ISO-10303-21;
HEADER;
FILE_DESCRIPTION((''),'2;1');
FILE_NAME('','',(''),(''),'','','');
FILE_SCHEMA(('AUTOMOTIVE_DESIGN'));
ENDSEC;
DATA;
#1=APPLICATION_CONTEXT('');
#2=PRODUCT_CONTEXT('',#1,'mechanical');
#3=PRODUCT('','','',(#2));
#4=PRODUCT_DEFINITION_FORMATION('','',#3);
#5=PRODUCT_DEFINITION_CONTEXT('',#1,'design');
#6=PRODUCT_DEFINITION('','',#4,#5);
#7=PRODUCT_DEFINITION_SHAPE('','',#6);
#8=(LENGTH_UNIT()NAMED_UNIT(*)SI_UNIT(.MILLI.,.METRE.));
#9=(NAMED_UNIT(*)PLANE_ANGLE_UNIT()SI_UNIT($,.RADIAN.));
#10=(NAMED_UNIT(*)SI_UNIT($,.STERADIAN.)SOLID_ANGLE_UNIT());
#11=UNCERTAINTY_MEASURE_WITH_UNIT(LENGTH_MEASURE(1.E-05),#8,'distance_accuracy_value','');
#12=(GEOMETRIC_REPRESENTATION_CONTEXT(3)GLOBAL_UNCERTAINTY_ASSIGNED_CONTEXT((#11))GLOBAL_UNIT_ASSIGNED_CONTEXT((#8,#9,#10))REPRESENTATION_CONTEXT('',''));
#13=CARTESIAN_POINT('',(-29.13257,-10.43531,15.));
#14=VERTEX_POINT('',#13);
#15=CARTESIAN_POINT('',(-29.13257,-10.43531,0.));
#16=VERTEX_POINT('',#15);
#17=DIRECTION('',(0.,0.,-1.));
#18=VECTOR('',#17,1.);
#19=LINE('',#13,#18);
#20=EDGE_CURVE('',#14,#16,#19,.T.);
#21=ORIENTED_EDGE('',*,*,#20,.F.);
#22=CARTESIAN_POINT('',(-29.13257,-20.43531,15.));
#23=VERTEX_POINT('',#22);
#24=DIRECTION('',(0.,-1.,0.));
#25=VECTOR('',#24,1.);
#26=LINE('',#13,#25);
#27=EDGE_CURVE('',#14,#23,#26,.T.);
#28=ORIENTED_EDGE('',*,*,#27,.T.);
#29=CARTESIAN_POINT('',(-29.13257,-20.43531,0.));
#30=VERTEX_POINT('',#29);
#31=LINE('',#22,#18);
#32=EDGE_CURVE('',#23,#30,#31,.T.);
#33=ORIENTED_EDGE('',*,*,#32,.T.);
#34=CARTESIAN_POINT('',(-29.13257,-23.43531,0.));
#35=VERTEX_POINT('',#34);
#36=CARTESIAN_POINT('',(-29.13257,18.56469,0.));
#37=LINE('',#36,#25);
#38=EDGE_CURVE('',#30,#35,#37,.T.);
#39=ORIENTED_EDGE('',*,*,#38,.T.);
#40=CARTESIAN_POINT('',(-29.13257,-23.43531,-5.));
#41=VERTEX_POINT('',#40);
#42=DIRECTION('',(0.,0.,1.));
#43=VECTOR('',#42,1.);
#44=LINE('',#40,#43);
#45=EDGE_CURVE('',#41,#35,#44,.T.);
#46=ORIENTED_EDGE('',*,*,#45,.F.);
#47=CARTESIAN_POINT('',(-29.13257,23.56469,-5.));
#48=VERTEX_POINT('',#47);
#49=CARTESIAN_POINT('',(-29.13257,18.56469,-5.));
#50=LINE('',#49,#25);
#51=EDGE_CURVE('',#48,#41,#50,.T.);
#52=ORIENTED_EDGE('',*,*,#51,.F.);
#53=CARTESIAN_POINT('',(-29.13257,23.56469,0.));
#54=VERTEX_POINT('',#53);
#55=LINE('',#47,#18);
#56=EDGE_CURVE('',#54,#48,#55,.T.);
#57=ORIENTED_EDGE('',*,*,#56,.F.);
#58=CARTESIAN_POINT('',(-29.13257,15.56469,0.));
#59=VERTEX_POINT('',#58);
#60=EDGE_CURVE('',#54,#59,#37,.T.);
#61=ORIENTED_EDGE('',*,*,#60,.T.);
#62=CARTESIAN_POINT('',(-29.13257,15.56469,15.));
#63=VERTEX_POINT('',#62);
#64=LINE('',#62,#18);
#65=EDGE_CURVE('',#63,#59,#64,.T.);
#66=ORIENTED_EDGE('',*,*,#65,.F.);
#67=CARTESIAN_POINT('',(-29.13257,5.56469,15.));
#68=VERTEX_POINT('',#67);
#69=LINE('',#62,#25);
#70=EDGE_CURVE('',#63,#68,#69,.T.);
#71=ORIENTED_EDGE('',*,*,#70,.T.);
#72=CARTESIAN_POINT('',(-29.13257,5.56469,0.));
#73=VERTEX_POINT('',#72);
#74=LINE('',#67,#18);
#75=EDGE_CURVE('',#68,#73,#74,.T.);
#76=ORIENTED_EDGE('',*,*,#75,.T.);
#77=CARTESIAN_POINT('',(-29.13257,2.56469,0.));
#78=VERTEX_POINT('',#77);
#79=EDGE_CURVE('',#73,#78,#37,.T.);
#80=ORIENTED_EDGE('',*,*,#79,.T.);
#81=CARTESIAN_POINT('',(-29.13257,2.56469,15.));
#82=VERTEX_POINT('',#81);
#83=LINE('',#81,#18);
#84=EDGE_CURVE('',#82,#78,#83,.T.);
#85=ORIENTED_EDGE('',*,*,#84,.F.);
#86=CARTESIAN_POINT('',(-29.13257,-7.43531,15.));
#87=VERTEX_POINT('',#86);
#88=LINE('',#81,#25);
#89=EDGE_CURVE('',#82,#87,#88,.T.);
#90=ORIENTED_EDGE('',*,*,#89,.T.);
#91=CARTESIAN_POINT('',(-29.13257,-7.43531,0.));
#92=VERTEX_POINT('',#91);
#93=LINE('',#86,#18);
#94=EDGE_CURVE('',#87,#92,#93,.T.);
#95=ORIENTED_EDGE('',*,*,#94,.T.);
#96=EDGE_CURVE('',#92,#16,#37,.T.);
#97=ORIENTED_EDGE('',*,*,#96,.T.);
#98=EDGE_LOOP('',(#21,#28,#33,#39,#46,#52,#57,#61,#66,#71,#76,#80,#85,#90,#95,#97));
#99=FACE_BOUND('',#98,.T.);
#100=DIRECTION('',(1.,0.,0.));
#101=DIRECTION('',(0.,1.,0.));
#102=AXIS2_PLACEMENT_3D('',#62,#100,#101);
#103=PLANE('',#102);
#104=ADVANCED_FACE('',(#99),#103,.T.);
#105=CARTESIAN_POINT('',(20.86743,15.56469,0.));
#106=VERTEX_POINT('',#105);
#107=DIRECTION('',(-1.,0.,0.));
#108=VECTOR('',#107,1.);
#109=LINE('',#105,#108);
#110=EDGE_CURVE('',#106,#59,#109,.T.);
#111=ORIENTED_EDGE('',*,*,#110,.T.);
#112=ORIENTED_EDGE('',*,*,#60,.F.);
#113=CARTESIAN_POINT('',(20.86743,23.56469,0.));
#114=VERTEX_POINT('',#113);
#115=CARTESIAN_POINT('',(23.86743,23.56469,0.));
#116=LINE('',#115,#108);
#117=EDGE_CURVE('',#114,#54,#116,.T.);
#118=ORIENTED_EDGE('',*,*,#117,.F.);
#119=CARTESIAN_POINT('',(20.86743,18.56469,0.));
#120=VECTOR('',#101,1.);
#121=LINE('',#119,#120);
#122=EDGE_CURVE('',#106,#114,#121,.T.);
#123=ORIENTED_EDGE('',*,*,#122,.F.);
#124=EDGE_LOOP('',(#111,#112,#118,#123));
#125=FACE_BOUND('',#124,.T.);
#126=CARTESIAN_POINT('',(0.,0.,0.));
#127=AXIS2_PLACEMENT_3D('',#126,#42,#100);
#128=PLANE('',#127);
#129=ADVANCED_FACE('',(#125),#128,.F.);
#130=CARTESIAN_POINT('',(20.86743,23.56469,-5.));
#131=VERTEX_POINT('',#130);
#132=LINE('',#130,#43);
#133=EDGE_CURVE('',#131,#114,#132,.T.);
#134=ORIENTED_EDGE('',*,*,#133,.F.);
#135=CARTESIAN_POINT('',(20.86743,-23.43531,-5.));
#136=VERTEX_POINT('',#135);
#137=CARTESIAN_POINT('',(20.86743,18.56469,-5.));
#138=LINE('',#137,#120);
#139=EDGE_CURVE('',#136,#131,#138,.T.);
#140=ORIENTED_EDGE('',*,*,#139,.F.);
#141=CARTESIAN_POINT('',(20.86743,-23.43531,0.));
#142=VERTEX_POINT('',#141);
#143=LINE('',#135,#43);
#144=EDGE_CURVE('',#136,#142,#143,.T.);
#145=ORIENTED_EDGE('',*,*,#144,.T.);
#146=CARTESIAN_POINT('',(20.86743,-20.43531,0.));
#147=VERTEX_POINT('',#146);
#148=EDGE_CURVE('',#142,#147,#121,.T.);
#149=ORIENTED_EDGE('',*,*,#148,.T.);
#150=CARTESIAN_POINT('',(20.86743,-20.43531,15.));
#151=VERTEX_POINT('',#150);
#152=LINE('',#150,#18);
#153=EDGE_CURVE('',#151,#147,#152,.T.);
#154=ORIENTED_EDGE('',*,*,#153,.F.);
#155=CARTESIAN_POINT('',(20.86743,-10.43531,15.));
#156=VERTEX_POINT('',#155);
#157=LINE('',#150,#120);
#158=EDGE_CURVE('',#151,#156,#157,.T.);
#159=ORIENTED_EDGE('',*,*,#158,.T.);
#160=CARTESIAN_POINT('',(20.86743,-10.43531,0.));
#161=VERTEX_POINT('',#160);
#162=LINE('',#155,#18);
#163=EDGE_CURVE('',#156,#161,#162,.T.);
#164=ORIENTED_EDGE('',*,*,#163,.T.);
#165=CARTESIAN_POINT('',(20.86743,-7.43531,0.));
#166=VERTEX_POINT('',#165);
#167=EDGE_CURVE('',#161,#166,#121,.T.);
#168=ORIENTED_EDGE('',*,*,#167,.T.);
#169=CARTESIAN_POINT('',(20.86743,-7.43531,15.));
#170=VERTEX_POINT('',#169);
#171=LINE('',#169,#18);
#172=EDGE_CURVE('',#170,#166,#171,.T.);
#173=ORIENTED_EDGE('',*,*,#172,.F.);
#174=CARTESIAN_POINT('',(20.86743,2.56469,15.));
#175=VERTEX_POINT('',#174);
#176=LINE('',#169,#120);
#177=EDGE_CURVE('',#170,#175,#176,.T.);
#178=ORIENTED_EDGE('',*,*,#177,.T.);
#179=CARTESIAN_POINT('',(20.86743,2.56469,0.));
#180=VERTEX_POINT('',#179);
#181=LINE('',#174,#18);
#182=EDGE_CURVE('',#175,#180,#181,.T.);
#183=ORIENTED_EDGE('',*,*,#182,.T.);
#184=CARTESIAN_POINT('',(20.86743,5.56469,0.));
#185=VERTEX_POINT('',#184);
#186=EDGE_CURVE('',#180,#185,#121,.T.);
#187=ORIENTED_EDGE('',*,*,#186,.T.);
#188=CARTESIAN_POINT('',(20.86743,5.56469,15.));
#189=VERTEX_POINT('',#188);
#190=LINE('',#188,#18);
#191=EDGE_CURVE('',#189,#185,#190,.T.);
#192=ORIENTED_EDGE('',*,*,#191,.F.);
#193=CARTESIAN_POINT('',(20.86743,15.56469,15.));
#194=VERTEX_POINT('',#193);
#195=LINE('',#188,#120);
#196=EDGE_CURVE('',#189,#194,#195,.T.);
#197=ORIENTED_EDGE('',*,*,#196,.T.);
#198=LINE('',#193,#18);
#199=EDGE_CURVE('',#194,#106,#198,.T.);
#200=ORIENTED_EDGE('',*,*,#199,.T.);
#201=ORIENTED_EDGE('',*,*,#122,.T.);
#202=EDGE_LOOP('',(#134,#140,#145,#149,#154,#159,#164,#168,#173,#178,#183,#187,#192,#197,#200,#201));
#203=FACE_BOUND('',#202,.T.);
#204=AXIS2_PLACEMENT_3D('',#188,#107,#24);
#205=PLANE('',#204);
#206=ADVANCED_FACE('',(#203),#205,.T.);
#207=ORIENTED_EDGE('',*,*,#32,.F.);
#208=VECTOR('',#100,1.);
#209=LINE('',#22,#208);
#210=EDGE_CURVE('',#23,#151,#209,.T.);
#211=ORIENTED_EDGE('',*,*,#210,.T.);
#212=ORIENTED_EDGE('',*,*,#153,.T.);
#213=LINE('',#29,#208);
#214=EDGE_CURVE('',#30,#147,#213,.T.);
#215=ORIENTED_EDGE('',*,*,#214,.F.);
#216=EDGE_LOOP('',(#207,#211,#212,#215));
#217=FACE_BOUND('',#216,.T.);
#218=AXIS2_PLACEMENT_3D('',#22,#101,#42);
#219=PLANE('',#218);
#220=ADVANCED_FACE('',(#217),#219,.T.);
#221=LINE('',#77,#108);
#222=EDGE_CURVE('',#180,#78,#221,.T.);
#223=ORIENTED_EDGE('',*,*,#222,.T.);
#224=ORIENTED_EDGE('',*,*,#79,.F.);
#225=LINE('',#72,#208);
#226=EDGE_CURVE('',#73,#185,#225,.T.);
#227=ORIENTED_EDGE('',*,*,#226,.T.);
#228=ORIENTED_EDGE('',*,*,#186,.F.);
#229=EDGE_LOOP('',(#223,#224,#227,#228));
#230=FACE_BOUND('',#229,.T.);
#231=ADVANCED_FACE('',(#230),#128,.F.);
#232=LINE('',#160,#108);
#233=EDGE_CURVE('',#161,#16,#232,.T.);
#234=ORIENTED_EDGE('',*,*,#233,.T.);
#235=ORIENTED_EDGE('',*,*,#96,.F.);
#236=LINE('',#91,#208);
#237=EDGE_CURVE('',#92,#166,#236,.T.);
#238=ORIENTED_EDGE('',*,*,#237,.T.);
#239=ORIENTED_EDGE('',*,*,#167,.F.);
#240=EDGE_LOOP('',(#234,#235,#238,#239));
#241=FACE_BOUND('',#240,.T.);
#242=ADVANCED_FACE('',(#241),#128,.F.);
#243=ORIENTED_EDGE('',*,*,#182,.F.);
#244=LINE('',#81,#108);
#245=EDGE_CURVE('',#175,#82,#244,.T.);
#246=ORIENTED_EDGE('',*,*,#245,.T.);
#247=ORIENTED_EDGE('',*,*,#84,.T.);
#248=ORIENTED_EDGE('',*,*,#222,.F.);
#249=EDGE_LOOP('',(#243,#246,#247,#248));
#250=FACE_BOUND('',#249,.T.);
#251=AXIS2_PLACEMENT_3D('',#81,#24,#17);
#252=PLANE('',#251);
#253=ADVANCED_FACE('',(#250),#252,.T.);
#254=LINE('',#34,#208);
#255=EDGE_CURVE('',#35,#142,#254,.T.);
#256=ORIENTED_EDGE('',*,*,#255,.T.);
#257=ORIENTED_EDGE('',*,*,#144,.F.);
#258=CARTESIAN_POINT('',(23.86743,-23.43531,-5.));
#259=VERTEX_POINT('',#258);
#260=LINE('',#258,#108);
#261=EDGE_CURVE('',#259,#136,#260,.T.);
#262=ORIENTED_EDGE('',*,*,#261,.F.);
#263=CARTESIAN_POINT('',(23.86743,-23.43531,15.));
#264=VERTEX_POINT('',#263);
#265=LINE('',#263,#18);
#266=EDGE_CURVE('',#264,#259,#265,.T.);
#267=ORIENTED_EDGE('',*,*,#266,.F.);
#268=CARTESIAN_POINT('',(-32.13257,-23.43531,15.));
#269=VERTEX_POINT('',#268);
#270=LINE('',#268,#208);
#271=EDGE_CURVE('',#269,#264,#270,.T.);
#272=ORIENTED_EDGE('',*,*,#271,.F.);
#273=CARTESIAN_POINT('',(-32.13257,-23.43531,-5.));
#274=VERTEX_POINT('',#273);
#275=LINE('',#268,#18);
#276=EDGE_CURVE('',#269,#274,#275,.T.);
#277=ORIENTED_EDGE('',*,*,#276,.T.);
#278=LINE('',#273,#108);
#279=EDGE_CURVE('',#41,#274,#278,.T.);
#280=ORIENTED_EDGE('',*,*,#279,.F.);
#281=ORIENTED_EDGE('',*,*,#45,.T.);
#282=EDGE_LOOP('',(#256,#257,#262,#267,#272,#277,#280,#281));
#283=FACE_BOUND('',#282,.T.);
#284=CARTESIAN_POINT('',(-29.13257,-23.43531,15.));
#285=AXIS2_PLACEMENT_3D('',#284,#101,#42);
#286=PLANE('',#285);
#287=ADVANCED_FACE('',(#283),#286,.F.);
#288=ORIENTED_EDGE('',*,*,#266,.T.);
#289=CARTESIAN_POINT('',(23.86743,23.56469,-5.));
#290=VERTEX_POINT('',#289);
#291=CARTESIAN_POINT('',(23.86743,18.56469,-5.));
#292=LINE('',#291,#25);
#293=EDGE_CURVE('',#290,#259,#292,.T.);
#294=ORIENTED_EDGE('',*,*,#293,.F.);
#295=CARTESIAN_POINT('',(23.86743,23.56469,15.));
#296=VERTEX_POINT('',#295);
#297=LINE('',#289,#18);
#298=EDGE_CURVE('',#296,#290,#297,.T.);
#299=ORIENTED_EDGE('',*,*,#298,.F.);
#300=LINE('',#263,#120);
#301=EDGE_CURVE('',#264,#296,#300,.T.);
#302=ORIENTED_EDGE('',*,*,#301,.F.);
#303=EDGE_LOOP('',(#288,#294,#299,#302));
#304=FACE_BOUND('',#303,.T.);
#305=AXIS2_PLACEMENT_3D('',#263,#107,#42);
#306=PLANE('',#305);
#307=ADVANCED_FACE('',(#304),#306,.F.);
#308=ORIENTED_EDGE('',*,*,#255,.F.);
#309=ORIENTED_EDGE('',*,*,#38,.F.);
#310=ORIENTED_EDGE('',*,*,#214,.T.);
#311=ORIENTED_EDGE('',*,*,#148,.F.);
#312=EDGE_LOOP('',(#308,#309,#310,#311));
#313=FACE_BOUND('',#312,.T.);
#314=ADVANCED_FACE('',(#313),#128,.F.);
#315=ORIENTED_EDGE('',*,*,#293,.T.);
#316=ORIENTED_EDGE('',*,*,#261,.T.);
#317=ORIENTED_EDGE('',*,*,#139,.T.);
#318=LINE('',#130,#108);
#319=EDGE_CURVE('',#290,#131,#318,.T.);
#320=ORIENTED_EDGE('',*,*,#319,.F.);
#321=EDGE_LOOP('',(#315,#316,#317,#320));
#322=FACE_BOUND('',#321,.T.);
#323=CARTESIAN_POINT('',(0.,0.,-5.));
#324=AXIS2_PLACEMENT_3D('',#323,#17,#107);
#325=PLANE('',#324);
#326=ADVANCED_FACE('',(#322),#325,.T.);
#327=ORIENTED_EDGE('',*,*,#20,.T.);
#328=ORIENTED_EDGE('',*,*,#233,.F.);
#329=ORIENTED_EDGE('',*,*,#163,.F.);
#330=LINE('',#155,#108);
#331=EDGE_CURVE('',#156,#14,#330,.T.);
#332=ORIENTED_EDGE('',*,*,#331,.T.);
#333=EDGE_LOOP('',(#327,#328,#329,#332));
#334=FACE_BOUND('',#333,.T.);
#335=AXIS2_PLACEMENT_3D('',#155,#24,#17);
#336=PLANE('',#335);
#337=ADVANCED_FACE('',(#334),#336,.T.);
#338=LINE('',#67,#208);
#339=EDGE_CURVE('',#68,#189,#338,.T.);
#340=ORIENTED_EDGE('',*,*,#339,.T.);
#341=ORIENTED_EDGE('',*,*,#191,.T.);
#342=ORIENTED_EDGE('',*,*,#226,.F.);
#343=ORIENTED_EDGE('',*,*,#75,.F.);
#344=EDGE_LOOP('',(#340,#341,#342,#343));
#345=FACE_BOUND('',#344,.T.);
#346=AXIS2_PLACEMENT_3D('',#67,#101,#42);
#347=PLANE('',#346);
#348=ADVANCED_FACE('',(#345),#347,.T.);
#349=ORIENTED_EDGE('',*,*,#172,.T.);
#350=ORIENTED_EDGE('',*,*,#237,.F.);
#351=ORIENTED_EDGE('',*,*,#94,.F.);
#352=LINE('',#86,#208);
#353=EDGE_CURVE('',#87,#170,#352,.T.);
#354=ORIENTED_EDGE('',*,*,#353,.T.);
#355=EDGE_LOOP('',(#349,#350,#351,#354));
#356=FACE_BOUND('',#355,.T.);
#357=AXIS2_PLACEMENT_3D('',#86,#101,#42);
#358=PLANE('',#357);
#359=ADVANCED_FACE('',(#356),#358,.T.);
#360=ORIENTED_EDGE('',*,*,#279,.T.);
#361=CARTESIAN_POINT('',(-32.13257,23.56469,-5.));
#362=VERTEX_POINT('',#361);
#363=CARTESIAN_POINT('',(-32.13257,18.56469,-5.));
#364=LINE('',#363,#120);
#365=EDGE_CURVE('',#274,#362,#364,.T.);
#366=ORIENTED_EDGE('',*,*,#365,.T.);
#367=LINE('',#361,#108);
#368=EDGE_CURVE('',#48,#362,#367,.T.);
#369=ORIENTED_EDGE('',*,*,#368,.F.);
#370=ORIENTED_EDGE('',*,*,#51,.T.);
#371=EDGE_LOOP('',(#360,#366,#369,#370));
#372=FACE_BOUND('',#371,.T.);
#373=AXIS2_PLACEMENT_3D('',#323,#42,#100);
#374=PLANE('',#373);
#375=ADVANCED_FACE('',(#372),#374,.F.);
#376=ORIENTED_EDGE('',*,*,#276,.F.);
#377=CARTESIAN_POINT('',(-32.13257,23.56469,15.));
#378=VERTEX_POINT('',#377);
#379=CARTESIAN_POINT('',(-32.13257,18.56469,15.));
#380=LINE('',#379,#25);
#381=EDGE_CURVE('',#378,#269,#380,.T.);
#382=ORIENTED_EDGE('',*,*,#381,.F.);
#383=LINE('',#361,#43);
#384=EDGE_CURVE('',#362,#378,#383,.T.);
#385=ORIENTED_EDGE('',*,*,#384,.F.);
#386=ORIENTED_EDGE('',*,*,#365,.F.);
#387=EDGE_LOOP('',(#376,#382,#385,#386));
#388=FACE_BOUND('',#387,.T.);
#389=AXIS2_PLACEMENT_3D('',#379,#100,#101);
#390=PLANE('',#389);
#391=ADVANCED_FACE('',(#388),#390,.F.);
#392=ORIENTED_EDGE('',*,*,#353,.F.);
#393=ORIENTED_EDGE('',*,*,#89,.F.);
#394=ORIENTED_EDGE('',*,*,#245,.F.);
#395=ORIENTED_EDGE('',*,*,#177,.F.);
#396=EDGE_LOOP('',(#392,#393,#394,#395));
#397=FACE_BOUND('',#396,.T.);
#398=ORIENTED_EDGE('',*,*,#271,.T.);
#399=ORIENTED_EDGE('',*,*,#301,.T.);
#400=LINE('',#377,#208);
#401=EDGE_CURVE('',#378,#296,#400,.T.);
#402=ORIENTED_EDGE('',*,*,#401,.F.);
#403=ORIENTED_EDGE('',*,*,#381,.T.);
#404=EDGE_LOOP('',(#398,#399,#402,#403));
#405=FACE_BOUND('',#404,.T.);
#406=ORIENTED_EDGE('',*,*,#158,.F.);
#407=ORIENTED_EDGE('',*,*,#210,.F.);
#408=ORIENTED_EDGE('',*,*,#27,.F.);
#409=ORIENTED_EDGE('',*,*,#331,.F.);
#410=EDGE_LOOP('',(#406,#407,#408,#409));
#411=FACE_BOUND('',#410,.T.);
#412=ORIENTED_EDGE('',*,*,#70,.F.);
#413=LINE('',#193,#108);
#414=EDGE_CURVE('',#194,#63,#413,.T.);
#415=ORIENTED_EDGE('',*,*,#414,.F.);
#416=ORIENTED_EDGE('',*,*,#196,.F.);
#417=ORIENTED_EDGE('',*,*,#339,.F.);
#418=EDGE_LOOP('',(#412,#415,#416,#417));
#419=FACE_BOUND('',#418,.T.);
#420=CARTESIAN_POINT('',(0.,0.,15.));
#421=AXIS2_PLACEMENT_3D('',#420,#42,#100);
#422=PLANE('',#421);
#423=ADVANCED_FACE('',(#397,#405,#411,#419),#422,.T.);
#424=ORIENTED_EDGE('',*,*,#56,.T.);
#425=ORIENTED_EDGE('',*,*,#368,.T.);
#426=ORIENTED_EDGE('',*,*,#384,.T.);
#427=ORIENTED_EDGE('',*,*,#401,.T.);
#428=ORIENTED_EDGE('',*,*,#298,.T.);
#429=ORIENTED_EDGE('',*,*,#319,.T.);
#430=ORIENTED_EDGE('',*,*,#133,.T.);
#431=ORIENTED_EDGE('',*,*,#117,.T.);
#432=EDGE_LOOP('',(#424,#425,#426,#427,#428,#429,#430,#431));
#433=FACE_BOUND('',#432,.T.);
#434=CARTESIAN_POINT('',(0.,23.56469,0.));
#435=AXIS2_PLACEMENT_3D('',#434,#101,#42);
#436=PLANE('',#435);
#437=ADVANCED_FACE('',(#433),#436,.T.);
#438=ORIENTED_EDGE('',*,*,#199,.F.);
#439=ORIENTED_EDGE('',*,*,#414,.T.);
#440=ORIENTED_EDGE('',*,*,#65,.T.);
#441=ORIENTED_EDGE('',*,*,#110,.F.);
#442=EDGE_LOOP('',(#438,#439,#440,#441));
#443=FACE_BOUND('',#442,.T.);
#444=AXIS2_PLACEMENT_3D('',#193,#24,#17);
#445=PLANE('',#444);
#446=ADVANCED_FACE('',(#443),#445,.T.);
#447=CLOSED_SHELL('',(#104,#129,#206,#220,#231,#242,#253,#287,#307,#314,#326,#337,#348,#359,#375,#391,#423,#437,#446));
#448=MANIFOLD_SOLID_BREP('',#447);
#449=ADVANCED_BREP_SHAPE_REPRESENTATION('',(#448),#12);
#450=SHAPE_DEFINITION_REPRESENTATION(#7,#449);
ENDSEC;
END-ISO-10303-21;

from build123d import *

# Parameters (mm, degrees)
SKETCH_2_W      = 50
SKETCH_2_H      = 10
EXTRUDE_1_DEPTH = 15
SKETCH_3_W      = 3
SKETCH_3_H      = 42
EXTRUDE_2_DEPTH = 5
SKETCH_4_W      = 3
SKETCH_4_H      = 5
EXTRUDE_4_DEPTH = 5
EXTRUDE_5_DEPTH = 5


with BuildPart() as part:
    # 草图2 → 凸台-拉伸1 (new body)
    with BuildSketch(Plane.XY):
        Polygon((-29.132569558, 18.56468986), (-32.132569558, 18.56468986), (-32.132569558, -23.43531014), (-29.132569558, -23.43531014), (23.867430442, -23.43531014), (23.867430442, 18.56468986), align=None)
        with Locations((-4.132569558, 10.56468986)):
            Rectangle(SKETCH_2_W, SKETCH_2_H, mode=Mode.SUBTRACT)
        with Locations((-4.132569558, -2.43531014)):
            Rectangle(SKETCH_2_W, SKETCH_2_H, mode=Mode.SUBTRACT)
        with Locations((-4.132569558, -15.43531014)):
            Rectangle(SKETCH_2_W, SKETCH_2_H, mode=Mode.SUBTRACT)
    extrude(amount=EXTRUDE_1_DEPTH)

    # 草图3 → 凸台-拉伸2 (add)
    with BuildSketch(Plane(origin=(0, 0, 0), x_dir=(-1, 0, 0), z_dir=(0, 0, -1))):
        with Locations((30.632569558, -2.43531014)):
            Rectangle(SKETCH_3_W, SKETCH_3_H)
        with Locations((-22.367430442, -2.43531014)):
            Rectangle(SKETCH_3_W, SKETCH_3_H)
    extrude(amount=EXTRUDE_2_DEPTH)

    # 草图4 → 凸台-拉伸4 (add)
    with BuildSketch(Plane(origin=(0, 18.56468986, 0), x_dir=(1, 0, 0), z_dir=(0, 1, 0))):
        with Locations((-30.632569558, 2.5)):
            Rectangle(SKETCH_4_W, SKETCH_4_H)
        with Locations((22.367430442, 2.5)):
            Rectangle(SKETCH_4_W, SKETCH_4_H)
    extrude(amount=EXTRUDE_4_DEPTH)

    # 草图5 → 凸台-拉伸5 (add)
    with BuildSketch(Plane(origin=(0, 18.56468986, 0), x_dir=(1, 0, 0), z_dir=(0, 1, 0))):
        Polygon((23.867430442, 0), (20.867430442, 0), (-29.132569558, 0), (-32.132569558, 0), (-32.132569558, -15), (23.867430442, -15), align=None)
    extrude(amount=EXTRUDE_5_DEPTH)


solid = part.part
